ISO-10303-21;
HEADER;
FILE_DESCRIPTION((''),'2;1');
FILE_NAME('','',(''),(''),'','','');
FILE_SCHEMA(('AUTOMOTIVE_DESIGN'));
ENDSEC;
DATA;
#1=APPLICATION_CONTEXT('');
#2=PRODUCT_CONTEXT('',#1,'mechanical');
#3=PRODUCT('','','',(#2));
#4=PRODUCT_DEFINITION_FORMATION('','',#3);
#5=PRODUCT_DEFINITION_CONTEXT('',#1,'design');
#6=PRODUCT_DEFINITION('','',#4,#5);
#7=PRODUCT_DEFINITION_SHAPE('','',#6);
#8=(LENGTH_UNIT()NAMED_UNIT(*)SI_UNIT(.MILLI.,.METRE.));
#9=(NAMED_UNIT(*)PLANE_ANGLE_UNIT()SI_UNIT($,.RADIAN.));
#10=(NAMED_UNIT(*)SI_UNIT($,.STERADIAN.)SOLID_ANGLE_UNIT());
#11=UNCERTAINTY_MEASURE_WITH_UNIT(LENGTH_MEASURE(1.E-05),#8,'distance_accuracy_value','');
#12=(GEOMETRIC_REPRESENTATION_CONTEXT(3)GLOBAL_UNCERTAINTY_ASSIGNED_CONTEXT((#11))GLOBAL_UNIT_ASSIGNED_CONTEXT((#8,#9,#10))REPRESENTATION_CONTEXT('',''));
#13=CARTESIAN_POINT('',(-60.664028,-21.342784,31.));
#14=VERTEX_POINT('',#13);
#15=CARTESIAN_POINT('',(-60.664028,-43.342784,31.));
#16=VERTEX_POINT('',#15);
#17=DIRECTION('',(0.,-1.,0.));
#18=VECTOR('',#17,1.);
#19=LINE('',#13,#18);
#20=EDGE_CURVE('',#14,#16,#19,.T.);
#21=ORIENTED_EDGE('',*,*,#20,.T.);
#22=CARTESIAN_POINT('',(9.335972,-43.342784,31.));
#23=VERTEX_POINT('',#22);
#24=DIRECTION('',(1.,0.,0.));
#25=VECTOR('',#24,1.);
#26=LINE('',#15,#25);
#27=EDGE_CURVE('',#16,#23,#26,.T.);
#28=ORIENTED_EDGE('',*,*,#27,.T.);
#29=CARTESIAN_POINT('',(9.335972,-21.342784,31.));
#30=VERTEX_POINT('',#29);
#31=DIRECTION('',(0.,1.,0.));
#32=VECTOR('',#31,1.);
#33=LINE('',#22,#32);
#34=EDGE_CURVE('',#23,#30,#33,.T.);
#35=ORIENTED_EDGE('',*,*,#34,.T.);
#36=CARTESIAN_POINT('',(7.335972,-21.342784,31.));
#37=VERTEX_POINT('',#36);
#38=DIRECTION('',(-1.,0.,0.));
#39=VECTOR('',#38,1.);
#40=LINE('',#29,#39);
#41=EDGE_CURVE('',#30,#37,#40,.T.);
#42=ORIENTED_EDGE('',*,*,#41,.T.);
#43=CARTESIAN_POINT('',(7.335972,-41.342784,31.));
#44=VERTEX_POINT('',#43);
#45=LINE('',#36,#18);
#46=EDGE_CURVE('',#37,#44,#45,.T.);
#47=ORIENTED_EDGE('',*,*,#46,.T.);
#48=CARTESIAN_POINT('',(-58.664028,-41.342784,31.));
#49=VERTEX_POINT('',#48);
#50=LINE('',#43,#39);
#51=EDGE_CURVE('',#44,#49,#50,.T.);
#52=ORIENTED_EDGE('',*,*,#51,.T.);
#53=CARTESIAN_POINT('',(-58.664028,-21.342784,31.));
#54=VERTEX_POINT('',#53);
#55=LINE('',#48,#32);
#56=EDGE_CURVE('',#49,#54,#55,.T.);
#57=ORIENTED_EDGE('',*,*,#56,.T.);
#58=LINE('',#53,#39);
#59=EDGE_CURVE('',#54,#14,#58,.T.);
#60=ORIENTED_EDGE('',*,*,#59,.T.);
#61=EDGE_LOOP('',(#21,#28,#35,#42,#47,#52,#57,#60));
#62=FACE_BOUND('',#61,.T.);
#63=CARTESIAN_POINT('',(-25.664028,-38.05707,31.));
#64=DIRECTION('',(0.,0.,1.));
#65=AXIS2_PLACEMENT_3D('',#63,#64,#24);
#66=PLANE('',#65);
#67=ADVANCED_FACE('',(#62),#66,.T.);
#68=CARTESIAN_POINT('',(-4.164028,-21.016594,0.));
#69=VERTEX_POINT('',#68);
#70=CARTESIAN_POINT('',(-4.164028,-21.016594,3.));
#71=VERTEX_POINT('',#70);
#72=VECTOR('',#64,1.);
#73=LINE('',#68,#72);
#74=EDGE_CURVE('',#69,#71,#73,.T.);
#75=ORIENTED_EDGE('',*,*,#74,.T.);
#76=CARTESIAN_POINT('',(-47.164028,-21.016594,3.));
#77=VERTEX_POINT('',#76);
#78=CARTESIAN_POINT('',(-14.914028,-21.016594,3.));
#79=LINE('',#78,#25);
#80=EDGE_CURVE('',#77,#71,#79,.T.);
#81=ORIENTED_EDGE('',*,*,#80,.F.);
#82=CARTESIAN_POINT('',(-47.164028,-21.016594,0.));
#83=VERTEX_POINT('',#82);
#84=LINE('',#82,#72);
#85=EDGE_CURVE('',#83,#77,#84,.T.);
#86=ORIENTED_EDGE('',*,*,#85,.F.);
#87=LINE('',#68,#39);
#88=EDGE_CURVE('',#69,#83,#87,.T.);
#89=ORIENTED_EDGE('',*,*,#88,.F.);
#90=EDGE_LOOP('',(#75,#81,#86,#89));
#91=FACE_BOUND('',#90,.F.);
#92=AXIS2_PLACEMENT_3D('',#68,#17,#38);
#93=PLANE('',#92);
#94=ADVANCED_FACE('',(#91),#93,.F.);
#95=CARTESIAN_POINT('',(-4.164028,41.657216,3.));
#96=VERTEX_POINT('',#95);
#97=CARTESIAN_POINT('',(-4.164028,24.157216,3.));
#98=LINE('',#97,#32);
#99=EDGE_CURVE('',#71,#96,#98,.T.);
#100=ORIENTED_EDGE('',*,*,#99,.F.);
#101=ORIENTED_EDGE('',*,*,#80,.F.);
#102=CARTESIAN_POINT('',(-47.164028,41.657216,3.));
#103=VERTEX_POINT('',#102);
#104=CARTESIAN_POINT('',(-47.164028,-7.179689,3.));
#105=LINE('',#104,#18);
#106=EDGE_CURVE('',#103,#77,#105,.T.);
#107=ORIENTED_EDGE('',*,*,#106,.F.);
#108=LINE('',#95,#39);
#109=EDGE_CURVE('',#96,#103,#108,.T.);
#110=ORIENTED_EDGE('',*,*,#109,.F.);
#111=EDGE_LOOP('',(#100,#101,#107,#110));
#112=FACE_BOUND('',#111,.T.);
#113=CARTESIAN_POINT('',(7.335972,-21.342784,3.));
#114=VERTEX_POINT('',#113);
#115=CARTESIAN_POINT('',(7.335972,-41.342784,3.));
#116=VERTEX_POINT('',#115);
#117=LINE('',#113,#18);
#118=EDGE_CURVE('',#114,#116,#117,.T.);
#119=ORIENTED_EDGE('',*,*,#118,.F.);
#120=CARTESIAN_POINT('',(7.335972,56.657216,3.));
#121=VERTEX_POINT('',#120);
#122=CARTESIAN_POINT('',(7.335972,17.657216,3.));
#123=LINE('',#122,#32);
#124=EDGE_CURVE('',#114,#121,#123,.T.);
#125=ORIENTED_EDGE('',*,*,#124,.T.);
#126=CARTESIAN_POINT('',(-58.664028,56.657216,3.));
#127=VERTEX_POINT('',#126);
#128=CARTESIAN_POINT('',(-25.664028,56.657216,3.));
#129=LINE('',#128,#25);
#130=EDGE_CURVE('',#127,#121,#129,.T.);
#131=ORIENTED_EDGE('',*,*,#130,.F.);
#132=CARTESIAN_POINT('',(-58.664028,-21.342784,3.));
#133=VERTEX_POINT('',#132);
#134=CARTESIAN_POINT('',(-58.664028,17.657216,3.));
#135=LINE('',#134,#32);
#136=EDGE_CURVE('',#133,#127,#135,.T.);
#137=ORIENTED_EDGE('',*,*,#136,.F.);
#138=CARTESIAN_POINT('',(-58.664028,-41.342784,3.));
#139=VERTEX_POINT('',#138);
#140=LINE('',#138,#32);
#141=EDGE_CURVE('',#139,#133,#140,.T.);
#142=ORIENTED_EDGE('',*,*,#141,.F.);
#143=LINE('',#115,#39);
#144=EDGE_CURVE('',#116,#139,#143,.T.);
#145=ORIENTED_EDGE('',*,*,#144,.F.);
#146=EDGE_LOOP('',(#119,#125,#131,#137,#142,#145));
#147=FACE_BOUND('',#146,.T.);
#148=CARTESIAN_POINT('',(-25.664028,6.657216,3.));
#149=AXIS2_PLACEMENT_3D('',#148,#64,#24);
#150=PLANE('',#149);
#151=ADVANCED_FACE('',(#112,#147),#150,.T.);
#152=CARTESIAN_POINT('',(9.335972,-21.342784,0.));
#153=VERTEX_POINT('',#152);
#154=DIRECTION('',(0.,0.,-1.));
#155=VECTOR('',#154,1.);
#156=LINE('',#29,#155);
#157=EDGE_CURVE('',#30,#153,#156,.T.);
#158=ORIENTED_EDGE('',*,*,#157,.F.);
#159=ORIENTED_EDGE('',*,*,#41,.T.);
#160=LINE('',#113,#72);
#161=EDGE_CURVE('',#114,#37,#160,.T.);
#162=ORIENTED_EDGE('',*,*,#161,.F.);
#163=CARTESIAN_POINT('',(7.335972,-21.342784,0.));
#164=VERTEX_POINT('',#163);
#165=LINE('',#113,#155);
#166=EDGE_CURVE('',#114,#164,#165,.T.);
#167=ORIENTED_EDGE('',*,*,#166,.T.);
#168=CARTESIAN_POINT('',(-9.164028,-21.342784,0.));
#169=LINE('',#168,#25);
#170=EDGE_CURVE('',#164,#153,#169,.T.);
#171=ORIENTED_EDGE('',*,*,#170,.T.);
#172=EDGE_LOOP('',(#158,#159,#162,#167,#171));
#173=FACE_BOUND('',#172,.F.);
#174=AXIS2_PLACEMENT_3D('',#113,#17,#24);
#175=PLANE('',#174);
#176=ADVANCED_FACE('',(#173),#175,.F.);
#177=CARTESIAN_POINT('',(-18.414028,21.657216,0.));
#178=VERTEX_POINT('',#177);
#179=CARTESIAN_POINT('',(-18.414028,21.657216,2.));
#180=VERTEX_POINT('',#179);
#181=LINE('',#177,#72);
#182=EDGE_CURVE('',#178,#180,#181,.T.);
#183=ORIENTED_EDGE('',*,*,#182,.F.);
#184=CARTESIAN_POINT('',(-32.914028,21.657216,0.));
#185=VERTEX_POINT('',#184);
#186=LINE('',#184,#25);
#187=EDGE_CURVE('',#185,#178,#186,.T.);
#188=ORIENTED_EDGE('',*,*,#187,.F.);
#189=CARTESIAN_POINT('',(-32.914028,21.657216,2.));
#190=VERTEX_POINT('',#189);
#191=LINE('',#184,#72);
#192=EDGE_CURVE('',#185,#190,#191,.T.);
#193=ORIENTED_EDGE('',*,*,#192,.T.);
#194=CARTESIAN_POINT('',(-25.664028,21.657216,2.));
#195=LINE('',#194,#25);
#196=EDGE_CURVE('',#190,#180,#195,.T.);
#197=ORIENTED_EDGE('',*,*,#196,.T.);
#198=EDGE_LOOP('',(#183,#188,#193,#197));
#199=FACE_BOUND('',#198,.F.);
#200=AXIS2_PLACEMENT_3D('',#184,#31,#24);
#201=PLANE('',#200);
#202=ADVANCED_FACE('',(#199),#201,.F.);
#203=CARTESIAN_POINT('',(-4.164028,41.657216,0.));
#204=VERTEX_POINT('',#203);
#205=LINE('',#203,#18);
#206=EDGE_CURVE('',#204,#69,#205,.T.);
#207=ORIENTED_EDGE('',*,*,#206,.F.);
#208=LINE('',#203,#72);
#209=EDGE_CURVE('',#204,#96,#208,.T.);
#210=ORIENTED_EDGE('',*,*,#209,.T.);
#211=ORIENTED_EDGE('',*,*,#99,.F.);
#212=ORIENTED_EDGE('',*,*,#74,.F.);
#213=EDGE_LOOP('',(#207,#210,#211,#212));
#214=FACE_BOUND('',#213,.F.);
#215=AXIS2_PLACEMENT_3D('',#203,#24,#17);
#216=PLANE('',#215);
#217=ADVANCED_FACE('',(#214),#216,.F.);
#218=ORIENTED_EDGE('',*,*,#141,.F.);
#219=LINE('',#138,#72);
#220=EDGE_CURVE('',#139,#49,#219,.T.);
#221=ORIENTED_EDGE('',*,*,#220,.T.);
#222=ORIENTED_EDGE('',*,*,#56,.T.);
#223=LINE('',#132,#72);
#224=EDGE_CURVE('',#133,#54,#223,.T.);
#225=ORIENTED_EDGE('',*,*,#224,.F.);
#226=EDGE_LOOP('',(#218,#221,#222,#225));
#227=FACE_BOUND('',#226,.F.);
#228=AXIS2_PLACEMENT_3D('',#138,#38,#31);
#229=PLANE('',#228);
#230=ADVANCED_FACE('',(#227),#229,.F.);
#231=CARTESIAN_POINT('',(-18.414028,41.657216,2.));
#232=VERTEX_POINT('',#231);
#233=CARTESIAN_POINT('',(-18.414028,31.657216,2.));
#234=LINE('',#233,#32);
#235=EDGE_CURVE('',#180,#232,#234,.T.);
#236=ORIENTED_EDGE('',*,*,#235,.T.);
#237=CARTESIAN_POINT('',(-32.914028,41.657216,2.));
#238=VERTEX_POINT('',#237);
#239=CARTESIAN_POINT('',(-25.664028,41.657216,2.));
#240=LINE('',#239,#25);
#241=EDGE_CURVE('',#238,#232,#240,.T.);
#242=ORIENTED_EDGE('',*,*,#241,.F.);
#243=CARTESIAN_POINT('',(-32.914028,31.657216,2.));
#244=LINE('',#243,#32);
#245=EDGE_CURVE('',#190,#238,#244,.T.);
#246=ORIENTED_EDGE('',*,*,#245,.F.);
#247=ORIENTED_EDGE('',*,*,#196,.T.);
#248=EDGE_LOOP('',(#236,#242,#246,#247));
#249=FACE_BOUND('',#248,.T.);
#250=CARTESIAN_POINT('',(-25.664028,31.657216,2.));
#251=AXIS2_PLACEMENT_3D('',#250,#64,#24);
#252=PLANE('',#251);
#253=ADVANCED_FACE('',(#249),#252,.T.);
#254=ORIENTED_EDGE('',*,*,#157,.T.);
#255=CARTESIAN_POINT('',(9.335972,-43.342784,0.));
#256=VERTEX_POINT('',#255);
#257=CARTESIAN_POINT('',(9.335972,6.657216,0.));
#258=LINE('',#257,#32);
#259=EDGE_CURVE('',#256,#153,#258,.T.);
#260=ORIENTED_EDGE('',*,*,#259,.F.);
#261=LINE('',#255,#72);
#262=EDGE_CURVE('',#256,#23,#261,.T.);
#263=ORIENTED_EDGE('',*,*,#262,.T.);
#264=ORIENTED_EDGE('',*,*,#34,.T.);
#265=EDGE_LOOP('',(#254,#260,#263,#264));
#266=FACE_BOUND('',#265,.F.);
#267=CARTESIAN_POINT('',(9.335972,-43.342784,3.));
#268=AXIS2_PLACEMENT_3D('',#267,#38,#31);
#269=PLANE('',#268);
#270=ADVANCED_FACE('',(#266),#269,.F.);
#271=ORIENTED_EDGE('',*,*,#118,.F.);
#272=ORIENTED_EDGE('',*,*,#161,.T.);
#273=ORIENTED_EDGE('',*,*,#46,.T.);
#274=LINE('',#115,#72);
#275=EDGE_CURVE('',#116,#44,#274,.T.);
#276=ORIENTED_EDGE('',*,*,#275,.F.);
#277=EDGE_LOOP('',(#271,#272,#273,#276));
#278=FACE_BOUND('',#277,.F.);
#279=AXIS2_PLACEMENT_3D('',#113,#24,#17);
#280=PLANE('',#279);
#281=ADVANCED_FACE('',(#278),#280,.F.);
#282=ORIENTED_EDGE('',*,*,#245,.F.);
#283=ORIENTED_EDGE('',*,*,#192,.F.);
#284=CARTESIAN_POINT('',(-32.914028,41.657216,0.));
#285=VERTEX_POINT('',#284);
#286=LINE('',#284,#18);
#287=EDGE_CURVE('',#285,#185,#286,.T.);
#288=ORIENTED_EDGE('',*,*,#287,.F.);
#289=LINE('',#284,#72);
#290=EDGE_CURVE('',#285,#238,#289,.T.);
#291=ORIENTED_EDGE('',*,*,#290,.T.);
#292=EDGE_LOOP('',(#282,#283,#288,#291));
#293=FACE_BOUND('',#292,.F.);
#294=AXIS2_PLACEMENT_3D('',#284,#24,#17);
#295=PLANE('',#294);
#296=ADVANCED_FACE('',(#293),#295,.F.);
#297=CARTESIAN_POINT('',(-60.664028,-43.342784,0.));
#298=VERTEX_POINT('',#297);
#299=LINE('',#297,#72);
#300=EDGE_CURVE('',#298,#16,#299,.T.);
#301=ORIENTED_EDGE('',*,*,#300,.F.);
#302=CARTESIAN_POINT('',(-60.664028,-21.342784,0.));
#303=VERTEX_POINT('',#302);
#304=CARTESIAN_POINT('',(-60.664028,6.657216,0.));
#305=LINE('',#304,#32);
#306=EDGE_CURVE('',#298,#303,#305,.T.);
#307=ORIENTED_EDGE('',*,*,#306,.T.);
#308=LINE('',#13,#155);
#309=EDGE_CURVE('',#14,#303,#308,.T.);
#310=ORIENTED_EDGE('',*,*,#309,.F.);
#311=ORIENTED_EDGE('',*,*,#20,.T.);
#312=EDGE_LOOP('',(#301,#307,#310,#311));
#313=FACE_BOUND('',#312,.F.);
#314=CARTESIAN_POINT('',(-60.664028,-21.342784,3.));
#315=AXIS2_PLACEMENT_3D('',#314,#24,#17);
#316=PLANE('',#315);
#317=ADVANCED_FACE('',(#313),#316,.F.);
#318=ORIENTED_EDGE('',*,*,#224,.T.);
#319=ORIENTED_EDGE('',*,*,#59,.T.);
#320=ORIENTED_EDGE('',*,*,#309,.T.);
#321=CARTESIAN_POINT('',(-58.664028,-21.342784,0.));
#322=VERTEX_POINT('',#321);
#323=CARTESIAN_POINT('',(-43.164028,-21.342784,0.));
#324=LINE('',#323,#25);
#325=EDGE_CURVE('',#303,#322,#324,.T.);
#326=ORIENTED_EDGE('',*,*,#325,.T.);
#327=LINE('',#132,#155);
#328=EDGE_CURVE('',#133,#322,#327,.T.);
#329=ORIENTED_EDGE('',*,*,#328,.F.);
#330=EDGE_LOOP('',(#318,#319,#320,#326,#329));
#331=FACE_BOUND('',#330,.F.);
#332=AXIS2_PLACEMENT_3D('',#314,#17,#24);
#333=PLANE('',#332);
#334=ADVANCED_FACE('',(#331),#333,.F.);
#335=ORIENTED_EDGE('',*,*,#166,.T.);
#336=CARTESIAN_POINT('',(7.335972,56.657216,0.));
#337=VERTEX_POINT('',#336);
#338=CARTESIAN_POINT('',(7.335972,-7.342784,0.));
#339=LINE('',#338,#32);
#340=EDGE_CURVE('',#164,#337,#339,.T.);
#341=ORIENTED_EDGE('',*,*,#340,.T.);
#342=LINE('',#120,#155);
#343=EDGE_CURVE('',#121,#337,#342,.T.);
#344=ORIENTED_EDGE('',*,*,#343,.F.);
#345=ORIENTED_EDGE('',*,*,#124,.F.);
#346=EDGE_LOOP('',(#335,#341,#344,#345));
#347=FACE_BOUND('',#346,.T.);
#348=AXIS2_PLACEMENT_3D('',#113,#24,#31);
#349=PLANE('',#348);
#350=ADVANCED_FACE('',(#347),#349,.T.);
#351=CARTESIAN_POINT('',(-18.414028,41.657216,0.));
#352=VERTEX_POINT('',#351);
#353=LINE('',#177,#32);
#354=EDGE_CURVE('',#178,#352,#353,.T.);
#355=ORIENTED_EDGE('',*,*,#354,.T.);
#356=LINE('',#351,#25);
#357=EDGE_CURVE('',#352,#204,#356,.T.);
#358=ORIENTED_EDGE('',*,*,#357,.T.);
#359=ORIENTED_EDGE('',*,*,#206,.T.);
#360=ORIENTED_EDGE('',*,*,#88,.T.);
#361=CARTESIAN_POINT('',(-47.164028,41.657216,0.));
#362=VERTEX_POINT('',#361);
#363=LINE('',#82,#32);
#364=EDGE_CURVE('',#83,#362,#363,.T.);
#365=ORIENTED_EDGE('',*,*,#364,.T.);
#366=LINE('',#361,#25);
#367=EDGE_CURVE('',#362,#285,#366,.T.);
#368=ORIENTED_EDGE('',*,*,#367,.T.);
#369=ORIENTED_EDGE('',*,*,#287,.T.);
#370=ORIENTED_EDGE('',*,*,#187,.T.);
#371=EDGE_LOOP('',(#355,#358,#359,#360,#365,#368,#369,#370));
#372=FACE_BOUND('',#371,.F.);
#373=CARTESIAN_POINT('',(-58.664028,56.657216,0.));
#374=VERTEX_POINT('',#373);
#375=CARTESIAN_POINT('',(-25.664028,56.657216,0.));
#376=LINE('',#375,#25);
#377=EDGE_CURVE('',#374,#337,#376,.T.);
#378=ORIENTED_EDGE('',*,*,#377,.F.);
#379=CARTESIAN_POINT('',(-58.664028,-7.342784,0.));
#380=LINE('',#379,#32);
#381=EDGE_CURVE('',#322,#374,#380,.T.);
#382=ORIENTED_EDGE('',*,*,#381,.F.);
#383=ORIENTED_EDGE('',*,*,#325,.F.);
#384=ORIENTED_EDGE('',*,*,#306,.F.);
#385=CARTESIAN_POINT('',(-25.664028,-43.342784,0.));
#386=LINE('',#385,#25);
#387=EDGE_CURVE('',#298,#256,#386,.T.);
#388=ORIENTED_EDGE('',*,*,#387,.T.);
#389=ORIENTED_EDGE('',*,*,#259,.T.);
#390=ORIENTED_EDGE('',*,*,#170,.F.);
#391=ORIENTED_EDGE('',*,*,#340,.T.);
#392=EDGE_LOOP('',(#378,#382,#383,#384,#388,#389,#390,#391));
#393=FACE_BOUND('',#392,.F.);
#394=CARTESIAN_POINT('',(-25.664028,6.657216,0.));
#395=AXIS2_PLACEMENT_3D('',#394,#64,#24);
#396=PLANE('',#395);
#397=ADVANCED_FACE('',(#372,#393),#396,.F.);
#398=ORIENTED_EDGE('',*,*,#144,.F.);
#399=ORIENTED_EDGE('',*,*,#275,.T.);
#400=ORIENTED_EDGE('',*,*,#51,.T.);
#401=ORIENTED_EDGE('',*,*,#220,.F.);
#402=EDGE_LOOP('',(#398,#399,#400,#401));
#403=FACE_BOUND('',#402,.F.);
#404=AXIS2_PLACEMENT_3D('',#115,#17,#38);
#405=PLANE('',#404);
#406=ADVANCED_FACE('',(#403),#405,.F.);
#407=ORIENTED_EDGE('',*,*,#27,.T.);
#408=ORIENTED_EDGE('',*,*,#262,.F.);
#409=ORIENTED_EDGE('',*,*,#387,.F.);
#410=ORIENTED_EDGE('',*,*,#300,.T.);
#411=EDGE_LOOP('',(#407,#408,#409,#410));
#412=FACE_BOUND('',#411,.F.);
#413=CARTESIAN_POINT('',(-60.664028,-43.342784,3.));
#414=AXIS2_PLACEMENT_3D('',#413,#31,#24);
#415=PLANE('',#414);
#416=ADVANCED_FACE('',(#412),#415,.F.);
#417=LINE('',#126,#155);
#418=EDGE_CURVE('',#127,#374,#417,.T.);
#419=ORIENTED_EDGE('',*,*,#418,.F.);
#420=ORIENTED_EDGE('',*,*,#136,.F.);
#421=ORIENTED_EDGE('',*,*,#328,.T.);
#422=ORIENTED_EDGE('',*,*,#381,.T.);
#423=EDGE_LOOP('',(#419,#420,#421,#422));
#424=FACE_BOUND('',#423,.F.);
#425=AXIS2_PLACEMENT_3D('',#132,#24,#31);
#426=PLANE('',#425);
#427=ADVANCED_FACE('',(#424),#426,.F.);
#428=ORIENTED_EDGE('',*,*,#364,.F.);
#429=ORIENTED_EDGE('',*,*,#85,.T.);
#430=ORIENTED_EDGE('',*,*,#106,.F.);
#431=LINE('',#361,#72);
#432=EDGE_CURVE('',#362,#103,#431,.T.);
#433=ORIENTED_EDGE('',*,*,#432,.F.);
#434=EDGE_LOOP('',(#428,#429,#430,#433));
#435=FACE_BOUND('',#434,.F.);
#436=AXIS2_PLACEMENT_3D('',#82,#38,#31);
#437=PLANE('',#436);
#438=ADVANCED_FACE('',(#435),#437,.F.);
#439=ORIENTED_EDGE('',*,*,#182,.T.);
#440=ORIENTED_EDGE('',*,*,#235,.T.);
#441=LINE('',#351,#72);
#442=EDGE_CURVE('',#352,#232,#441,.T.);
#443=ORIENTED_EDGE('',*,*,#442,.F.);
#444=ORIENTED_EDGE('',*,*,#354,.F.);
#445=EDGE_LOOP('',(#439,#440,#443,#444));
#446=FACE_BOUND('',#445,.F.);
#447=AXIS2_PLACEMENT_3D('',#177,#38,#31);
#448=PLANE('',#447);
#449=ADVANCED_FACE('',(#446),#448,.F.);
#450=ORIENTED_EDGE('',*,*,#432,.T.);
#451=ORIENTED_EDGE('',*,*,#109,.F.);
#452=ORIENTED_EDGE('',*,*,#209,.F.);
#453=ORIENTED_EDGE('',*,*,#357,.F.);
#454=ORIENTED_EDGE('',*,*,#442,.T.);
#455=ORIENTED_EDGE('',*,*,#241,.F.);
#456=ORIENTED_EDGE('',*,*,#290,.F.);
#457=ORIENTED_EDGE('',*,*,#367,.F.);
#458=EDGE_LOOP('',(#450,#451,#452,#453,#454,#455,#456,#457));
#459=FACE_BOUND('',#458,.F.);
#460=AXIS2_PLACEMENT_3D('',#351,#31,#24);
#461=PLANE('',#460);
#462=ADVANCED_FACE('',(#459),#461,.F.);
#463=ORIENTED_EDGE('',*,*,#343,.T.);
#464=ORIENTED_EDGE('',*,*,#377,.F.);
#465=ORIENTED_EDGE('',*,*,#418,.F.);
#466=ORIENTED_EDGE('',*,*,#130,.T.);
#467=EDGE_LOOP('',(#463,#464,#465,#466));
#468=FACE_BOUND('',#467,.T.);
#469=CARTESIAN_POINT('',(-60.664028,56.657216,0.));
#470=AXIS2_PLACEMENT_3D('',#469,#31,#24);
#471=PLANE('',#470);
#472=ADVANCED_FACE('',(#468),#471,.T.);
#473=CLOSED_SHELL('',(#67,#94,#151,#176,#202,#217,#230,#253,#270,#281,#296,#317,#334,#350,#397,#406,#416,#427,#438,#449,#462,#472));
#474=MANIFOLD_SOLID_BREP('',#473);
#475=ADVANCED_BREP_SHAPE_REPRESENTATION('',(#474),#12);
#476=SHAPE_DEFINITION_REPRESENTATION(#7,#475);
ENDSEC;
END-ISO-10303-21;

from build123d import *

# Parameters (mm, degrees)
F0_W     = 70
F0_H     = 100
F1_DEPTH = 3
F3_DEPTH = 28
F4_W     = 2
F4_H     = 78
F5_DEPTH = 30.6
F7_DEPTH = 25
F8_W     = 14.5
F8_H     = 20
F9_DEPTH = 1


with BuildPart() as f1:
    # F0 (on Top) → F1 (new body)
    with BuildSketch(Plane.XY):
        with Locations((-25.664028, 6.657216)):
            Rectangle(F0_W, F0_H)
    extrude(amount=F1_DEPTH)

    # F2 (on face) → F3 (join)
    with BuildSketch(Plane.XY.offset(3)):
        Polygon((-60.664028, -21.342784), (-60.664028, -43.342784), (9.335972, -43.342784), (9.335972, -21.342784), (7.335972, -21.342784), (7.335972, -41.342784), (-58.664028, -41.342784), (-58.664028, -21.342784), align=None)
    extrude(amount=F3_DEPTH)

    # F4 (on face) → F5 (cut)
    with BuildSketch(Plane.XY.offset(3)):
        with Locations((8.335972, 17.657216)):
            Rectangle(F4_W, F4_H)
        with Locations((-59.664028, 17.657216)):
            Rectangle(F4_W, F4_H)
    extrude(amount=-F5_DEPTH, mode=Mode.SUBTRACT)

    # F6 (on face) → F7 (cut)
    with BuildSketch(Plane(origin=(0, 0, 0), x_dir=(1, 0, 0), z_dir=(0, 0, -1))):
        Polygon((-4.164028, 21.016594), (-47.164028, 21.016594), (-47.164028, -41.657216), (-32.914028, -41.657216), (-32.914028, -21.657216), (-25.664028, -21.657216), (-18.414028, -21.657216), (-18.414028, -41.657216), (-4.164028, -41.657216), align=None)
    extrude(amount=-F7_DEPTH, mode=Mode.SUBTRACT)

    # F8 (on face) → F9 (cut)
    with BuildSketch(Plane.XY.offset(3)):
        with Locations((-25.664028, 31.657216)):
            Rectangle(F8_W, F8_H)
    extrude(amount=-F9_DEPTH, mode=Mode.SUBTRACT)


solid = f1.part
